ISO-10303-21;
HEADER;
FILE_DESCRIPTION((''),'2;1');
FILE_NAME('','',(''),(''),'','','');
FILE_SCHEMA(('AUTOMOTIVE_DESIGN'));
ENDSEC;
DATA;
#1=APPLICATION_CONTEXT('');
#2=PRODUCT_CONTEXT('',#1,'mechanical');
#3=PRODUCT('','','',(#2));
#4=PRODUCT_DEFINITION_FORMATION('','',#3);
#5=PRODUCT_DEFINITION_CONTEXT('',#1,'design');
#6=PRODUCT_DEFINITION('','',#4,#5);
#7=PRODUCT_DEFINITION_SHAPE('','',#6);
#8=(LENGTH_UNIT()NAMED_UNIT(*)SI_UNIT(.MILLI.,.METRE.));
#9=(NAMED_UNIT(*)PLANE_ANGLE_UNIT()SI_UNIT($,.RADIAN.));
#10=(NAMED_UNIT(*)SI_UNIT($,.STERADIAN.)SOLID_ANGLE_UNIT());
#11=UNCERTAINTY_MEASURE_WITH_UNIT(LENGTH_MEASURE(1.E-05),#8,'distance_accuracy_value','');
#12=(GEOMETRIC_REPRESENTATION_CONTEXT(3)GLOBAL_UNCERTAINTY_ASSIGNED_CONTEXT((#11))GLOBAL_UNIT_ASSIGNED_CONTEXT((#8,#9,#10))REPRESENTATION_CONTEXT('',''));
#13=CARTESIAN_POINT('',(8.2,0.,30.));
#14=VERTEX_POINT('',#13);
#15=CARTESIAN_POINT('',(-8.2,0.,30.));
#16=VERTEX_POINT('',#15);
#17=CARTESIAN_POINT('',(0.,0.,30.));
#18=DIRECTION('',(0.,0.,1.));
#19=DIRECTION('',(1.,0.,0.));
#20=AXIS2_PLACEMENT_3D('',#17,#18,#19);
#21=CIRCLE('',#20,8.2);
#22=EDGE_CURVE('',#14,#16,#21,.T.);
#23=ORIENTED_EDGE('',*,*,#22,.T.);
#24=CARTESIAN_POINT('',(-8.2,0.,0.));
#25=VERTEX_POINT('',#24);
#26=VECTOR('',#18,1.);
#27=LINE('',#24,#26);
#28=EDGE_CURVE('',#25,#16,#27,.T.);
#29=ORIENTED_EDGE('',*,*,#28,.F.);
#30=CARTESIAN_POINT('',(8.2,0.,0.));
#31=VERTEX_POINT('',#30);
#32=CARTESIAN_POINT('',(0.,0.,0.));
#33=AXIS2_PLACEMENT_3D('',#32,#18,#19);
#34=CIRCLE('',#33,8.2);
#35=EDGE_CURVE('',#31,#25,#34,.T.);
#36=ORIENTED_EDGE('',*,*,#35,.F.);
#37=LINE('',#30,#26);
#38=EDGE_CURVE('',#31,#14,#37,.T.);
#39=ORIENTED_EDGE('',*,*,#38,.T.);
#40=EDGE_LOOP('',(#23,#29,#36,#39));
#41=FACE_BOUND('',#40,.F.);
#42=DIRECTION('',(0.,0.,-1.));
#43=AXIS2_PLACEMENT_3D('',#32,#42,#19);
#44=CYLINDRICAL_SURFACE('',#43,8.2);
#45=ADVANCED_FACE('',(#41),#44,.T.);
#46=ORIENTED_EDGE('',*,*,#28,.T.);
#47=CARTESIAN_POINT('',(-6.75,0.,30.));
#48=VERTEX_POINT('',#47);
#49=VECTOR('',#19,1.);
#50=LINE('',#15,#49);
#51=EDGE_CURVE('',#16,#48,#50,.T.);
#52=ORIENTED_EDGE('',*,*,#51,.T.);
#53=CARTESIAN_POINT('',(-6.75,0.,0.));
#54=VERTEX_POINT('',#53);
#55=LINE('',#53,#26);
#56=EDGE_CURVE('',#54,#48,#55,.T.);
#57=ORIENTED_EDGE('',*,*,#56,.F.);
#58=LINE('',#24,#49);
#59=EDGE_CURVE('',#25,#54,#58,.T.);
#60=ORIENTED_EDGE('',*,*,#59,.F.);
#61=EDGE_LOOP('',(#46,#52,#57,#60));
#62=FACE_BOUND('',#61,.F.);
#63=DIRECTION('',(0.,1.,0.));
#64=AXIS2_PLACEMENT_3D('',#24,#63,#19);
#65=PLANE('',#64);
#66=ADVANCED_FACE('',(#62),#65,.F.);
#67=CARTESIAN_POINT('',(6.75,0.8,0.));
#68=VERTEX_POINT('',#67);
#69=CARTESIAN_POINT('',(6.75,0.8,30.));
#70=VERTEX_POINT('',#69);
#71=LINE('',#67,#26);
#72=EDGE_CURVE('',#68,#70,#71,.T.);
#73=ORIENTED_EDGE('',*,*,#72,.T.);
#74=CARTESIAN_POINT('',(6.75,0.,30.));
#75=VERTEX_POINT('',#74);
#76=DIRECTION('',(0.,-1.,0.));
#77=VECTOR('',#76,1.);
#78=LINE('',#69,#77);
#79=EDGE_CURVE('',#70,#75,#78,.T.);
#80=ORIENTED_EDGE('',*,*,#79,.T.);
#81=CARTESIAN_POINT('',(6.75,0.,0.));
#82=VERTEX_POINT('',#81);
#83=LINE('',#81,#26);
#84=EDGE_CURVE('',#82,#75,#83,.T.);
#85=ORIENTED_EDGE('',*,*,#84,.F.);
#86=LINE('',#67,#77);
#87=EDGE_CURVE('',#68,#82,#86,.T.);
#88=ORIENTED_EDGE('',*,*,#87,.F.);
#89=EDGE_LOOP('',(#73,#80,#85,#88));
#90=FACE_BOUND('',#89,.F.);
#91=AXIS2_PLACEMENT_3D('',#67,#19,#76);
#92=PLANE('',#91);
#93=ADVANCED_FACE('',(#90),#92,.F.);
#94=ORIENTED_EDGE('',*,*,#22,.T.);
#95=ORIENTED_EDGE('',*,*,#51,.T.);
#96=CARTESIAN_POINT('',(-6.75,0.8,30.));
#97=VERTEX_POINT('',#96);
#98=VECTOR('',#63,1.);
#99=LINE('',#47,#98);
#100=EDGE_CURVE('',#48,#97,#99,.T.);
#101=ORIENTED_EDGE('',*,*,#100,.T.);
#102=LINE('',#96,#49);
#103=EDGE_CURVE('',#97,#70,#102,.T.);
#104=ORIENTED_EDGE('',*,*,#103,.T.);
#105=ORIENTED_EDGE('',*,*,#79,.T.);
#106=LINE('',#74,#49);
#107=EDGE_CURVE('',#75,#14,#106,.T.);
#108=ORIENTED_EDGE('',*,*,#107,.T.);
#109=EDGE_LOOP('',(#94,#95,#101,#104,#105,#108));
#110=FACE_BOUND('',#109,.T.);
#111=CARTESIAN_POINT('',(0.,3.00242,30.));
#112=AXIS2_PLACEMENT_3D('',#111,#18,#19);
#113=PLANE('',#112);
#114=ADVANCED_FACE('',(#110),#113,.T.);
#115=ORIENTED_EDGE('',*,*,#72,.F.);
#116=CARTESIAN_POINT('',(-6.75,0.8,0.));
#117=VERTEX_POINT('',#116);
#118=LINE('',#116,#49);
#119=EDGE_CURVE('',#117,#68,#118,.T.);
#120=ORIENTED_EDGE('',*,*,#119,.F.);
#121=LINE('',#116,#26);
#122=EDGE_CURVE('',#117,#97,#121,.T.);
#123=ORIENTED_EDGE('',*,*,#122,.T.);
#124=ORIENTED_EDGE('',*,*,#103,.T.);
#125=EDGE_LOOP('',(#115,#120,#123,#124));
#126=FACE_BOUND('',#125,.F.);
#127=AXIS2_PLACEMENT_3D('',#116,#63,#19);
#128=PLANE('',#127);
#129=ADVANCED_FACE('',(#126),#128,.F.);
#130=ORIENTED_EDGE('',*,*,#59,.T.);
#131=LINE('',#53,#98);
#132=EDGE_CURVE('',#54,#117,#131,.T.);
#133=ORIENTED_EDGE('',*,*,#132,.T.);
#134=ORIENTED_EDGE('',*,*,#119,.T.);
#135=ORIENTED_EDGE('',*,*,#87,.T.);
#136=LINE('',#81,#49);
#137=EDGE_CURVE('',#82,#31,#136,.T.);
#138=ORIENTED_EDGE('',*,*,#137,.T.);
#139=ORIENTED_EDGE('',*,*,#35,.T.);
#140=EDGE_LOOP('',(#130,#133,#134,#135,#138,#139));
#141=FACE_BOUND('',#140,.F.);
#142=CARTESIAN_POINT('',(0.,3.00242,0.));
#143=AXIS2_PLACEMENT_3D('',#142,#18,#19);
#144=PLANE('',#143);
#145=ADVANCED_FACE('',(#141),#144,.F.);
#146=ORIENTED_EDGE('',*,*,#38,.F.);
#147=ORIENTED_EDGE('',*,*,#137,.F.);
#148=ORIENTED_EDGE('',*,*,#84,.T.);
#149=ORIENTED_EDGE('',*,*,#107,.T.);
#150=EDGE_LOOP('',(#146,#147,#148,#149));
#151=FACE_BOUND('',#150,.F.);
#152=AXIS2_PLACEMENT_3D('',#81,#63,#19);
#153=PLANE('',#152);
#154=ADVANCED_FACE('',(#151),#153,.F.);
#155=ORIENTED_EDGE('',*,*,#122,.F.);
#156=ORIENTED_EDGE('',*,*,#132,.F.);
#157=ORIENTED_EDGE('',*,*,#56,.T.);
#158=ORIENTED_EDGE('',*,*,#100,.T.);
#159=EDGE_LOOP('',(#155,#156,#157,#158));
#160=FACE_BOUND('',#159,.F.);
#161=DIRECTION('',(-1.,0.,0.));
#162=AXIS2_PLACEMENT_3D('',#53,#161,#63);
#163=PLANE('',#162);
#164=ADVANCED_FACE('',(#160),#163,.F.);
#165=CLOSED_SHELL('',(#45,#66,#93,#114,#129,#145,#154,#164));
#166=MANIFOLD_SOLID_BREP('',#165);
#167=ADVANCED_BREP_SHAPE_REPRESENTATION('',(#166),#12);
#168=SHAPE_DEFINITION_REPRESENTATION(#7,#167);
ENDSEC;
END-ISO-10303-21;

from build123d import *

# Parameters (mm, degrees)
F1_DEPTH = 30


with BuildPart() as f1:
    # F0 (on Top) → F1 (new body)
    with BuildSketch(Plane.XY):
        with BuildLine():
            ThreePointArc((8.2, 0), (0, 8.2), (-8.2, 0))
            Line((-8.2, 0), (-6.75, 0))
            Line((-6.75, 0), (-6.75, 0.8))
            Line((-6.75, 0.8), (6.75, 0.8))
            Line((6.75, 0.8), (6.75, 0))
            Line((6.75, 0), (8.2, 0))
        make_face()
    extrude(amount=F1_DEPTH)


solid = f1.part
